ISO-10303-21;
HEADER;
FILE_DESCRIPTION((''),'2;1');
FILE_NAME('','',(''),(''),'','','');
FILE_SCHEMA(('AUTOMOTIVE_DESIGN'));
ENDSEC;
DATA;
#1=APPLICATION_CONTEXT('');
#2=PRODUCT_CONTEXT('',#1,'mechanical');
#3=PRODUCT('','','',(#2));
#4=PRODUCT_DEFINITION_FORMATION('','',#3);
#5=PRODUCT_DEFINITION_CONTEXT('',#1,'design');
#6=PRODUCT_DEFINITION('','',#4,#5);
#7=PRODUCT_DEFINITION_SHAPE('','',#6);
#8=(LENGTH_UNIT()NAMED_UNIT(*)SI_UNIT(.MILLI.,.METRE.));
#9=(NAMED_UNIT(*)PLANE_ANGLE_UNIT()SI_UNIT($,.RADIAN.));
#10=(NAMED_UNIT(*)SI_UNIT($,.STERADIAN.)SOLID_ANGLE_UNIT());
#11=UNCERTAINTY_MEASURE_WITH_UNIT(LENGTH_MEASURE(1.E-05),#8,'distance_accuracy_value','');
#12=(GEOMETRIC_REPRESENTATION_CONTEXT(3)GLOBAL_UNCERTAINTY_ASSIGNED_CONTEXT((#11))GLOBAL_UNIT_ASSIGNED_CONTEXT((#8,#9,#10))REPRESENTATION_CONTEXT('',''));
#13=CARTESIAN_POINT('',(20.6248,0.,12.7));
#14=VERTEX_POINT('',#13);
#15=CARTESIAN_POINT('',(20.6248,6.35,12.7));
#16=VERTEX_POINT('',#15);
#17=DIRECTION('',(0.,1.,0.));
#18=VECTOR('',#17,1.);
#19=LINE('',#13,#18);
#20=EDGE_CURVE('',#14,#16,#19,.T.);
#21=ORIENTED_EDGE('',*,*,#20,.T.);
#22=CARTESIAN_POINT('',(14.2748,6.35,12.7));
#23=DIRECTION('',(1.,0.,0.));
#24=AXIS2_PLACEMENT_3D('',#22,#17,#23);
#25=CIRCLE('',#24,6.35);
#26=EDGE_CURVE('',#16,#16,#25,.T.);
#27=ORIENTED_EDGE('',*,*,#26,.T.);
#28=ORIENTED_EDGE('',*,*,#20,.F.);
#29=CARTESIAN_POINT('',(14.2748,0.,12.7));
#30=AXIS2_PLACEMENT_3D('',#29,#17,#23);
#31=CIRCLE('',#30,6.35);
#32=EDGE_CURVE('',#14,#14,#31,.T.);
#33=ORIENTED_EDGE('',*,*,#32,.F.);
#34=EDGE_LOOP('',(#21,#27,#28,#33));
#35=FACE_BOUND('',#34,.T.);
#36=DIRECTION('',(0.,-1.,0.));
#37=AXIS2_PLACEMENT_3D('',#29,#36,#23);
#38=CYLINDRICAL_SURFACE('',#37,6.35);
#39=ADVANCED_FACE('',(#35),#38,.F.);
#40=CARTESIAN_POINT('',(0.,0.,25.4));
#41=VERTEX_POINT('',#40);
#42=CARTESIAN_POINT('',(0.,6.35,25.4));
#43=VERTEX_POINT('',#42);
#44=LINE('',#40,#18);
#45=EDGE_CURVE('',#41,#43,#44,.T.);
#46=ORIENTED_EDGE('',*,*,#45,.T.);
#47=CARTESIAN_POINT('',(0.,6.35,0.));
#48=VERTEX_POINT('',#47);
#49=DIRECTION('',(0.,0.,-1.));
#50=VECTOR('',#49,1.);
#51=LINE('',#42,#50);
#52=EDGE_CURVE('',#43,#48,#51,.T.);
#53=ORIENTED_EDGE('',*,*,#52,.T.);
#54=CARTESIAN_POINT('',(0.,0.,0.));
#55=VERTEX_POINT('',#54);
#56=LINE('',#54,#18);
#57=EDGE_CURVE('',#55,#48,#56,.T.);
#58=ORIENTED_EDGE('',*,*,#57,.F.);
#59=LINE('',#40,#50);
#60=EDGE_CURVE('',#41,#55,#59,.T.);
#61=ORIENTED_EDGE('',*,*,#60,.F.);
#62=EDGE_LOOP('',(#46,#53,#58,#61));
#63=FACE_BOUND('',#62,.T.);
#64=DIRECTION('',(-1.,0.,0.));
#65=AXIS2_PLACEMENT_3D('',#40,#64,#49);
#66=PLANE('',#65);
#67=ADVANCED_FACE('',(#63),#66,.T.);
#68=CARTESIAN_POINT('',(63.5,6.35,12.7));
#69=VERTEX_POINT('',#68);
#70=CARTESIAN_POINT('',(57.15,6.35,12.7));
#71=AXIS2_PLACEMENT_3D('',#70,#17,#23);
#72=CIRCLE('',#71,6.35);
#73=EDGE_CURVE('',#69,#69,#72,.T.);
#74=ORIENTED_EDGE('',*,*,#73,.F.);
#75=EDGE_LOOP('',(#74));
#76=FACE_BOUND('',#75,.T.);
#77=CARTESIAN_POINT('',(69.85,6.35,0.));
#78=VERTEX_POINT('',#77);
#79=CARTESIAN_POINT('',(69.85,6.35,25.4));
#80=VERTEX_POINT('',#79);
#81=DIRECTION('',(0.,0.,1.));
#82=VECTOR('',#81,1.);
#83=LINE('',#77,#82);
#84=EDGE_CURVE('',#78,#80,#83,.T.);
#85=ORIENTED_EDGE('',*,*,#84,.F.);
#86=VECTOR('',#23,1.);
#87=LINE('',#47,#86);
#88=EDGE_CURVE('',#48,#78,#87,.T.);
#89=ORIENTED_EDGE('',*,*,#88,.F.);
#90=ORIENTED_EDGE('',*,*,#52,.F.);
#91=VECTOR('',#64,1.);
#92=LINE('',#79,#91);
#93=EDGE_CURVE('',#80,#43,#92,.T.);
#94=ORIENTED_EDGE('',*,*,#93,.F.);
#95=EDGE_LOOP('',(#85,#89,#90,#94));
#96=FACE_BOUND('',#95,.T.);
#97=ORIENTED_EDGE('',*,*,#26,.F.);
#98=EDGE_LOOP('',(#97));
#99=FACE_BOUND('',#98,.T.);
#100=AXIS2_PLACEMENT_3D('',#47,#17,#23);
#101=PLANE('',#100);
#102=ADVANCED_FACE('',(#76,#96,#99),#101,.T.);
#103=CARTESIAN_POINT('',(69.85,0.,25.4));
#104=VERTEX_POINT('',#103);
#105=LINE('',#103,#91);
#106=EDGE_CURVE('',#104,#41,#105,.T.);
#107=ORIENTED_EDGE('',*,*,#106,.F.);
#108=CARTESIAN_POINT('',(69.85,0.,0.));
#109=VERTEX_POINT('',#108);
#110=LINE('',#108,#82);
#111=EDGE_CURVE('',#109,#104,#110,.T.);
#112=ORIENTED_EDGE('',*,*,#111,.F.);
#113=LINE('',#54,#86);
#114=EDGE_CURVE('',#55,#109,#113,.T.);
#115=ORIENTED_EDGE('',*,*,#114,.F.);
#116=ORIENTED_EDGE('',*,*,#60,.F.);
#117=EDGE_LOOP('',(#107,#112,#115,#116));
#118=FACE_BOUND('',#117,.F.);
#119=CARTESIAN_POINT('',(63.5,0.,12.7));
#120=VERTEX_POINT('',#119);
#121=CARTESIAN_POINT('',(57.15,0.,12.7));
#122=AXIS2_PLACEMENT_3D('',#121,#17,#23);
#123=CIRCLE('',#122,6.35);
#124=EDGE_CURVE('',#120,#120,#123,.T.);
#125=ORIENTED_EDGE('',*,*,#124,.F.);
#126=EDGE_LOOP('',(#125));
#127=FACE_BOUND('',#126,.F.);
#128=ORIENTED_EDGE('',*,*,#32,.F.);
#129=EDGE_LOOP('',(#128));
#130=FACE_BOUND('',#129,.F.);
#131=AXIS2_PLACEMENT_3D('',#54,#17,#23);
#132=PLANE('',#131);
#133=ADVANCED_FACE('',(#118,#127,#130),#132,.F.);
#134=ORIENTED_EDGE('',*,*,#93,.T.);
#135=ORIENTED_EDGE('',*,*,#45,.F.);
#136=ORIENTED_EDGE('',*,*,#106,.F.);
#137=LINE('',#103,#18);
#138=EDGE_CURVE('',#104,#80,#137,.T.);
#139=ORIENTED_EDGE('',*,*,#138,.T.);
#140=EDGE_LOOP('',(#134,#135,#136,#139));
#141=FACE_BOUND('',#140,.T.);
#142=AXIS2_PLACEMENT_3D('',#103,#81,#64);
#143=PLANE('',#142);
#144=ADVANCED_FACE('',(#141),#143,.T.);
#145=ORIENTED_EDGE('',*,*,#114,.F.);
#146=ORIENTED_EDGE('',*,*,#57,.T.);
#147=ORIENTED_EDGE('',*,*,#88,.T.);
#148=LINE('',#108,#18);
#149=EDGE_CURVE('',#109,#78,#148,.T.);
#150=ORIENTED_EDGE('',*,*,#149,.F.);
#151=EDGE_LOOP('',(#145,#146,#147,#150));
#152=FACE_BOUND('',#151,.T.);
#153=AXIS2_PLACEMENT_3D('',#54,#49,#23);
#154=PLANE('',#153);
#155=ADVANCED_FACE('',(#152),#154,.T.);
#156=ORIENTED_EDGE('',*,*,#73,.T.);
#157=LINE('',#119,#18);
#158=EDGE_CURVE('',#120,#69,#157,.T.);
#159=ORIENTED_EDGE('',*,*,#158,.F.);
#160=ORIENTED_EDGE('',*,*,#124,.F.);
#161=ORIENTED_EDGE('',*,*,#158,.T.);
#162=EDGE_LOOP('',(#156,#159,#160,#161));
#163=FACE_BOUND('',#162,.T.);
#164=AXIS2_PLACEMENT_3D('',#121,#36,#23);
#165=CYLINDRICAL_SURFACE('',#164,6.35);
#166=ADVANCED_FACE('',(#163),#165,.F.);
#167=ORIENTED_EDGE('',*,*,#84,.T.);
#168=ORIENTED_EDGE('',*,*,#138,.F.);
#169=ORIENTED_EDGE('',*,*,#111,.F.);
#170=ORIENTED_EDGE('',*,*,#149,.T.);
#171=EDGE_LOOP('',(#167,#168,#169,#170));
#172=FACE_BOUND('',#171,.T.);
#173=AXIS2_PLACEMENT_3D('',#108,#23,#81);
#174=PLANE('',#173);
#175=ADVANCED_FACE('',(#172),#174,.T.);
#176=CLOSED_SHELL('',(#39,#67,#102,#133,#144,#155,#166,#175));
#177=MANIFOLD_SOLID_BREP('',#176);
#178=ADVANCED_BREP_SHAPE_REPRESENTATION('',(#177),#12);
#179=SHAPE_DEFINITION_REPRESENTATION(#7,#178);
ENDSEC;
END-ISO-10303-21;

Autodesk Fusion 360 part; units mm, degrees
sketch "Sketch1" plane through (0, 0, 0) normal (0, 1, 0) x (1, 0, 0)
  line L0 (0, 0) -> (69.85, 0)
  line L1 (69.85, 0) -> (69.85, -25.4)
  line L2 (69.85, -25.4) -> (0, -25.4)
  line L3 (0, -25.4) -> (0, 0)
  circle A0 centre (57.15, -12.7) radius 6.35
  line L4 (34.925, -25.4) -> (34.925, 0) construction
  circle A1 centre (14.2748, -12.7) radius 6.35
  dimension "d1" = 69.85
  dimension "d2" = 25.4
  dimension "d3" = 12.7
  dimension "d4" = 12.7
  dimension "d5" = 12.7
  dimension "d6" = 14.2748
extrude "Extrude1" add sketch "Sketch1" along normal blind 6.35
